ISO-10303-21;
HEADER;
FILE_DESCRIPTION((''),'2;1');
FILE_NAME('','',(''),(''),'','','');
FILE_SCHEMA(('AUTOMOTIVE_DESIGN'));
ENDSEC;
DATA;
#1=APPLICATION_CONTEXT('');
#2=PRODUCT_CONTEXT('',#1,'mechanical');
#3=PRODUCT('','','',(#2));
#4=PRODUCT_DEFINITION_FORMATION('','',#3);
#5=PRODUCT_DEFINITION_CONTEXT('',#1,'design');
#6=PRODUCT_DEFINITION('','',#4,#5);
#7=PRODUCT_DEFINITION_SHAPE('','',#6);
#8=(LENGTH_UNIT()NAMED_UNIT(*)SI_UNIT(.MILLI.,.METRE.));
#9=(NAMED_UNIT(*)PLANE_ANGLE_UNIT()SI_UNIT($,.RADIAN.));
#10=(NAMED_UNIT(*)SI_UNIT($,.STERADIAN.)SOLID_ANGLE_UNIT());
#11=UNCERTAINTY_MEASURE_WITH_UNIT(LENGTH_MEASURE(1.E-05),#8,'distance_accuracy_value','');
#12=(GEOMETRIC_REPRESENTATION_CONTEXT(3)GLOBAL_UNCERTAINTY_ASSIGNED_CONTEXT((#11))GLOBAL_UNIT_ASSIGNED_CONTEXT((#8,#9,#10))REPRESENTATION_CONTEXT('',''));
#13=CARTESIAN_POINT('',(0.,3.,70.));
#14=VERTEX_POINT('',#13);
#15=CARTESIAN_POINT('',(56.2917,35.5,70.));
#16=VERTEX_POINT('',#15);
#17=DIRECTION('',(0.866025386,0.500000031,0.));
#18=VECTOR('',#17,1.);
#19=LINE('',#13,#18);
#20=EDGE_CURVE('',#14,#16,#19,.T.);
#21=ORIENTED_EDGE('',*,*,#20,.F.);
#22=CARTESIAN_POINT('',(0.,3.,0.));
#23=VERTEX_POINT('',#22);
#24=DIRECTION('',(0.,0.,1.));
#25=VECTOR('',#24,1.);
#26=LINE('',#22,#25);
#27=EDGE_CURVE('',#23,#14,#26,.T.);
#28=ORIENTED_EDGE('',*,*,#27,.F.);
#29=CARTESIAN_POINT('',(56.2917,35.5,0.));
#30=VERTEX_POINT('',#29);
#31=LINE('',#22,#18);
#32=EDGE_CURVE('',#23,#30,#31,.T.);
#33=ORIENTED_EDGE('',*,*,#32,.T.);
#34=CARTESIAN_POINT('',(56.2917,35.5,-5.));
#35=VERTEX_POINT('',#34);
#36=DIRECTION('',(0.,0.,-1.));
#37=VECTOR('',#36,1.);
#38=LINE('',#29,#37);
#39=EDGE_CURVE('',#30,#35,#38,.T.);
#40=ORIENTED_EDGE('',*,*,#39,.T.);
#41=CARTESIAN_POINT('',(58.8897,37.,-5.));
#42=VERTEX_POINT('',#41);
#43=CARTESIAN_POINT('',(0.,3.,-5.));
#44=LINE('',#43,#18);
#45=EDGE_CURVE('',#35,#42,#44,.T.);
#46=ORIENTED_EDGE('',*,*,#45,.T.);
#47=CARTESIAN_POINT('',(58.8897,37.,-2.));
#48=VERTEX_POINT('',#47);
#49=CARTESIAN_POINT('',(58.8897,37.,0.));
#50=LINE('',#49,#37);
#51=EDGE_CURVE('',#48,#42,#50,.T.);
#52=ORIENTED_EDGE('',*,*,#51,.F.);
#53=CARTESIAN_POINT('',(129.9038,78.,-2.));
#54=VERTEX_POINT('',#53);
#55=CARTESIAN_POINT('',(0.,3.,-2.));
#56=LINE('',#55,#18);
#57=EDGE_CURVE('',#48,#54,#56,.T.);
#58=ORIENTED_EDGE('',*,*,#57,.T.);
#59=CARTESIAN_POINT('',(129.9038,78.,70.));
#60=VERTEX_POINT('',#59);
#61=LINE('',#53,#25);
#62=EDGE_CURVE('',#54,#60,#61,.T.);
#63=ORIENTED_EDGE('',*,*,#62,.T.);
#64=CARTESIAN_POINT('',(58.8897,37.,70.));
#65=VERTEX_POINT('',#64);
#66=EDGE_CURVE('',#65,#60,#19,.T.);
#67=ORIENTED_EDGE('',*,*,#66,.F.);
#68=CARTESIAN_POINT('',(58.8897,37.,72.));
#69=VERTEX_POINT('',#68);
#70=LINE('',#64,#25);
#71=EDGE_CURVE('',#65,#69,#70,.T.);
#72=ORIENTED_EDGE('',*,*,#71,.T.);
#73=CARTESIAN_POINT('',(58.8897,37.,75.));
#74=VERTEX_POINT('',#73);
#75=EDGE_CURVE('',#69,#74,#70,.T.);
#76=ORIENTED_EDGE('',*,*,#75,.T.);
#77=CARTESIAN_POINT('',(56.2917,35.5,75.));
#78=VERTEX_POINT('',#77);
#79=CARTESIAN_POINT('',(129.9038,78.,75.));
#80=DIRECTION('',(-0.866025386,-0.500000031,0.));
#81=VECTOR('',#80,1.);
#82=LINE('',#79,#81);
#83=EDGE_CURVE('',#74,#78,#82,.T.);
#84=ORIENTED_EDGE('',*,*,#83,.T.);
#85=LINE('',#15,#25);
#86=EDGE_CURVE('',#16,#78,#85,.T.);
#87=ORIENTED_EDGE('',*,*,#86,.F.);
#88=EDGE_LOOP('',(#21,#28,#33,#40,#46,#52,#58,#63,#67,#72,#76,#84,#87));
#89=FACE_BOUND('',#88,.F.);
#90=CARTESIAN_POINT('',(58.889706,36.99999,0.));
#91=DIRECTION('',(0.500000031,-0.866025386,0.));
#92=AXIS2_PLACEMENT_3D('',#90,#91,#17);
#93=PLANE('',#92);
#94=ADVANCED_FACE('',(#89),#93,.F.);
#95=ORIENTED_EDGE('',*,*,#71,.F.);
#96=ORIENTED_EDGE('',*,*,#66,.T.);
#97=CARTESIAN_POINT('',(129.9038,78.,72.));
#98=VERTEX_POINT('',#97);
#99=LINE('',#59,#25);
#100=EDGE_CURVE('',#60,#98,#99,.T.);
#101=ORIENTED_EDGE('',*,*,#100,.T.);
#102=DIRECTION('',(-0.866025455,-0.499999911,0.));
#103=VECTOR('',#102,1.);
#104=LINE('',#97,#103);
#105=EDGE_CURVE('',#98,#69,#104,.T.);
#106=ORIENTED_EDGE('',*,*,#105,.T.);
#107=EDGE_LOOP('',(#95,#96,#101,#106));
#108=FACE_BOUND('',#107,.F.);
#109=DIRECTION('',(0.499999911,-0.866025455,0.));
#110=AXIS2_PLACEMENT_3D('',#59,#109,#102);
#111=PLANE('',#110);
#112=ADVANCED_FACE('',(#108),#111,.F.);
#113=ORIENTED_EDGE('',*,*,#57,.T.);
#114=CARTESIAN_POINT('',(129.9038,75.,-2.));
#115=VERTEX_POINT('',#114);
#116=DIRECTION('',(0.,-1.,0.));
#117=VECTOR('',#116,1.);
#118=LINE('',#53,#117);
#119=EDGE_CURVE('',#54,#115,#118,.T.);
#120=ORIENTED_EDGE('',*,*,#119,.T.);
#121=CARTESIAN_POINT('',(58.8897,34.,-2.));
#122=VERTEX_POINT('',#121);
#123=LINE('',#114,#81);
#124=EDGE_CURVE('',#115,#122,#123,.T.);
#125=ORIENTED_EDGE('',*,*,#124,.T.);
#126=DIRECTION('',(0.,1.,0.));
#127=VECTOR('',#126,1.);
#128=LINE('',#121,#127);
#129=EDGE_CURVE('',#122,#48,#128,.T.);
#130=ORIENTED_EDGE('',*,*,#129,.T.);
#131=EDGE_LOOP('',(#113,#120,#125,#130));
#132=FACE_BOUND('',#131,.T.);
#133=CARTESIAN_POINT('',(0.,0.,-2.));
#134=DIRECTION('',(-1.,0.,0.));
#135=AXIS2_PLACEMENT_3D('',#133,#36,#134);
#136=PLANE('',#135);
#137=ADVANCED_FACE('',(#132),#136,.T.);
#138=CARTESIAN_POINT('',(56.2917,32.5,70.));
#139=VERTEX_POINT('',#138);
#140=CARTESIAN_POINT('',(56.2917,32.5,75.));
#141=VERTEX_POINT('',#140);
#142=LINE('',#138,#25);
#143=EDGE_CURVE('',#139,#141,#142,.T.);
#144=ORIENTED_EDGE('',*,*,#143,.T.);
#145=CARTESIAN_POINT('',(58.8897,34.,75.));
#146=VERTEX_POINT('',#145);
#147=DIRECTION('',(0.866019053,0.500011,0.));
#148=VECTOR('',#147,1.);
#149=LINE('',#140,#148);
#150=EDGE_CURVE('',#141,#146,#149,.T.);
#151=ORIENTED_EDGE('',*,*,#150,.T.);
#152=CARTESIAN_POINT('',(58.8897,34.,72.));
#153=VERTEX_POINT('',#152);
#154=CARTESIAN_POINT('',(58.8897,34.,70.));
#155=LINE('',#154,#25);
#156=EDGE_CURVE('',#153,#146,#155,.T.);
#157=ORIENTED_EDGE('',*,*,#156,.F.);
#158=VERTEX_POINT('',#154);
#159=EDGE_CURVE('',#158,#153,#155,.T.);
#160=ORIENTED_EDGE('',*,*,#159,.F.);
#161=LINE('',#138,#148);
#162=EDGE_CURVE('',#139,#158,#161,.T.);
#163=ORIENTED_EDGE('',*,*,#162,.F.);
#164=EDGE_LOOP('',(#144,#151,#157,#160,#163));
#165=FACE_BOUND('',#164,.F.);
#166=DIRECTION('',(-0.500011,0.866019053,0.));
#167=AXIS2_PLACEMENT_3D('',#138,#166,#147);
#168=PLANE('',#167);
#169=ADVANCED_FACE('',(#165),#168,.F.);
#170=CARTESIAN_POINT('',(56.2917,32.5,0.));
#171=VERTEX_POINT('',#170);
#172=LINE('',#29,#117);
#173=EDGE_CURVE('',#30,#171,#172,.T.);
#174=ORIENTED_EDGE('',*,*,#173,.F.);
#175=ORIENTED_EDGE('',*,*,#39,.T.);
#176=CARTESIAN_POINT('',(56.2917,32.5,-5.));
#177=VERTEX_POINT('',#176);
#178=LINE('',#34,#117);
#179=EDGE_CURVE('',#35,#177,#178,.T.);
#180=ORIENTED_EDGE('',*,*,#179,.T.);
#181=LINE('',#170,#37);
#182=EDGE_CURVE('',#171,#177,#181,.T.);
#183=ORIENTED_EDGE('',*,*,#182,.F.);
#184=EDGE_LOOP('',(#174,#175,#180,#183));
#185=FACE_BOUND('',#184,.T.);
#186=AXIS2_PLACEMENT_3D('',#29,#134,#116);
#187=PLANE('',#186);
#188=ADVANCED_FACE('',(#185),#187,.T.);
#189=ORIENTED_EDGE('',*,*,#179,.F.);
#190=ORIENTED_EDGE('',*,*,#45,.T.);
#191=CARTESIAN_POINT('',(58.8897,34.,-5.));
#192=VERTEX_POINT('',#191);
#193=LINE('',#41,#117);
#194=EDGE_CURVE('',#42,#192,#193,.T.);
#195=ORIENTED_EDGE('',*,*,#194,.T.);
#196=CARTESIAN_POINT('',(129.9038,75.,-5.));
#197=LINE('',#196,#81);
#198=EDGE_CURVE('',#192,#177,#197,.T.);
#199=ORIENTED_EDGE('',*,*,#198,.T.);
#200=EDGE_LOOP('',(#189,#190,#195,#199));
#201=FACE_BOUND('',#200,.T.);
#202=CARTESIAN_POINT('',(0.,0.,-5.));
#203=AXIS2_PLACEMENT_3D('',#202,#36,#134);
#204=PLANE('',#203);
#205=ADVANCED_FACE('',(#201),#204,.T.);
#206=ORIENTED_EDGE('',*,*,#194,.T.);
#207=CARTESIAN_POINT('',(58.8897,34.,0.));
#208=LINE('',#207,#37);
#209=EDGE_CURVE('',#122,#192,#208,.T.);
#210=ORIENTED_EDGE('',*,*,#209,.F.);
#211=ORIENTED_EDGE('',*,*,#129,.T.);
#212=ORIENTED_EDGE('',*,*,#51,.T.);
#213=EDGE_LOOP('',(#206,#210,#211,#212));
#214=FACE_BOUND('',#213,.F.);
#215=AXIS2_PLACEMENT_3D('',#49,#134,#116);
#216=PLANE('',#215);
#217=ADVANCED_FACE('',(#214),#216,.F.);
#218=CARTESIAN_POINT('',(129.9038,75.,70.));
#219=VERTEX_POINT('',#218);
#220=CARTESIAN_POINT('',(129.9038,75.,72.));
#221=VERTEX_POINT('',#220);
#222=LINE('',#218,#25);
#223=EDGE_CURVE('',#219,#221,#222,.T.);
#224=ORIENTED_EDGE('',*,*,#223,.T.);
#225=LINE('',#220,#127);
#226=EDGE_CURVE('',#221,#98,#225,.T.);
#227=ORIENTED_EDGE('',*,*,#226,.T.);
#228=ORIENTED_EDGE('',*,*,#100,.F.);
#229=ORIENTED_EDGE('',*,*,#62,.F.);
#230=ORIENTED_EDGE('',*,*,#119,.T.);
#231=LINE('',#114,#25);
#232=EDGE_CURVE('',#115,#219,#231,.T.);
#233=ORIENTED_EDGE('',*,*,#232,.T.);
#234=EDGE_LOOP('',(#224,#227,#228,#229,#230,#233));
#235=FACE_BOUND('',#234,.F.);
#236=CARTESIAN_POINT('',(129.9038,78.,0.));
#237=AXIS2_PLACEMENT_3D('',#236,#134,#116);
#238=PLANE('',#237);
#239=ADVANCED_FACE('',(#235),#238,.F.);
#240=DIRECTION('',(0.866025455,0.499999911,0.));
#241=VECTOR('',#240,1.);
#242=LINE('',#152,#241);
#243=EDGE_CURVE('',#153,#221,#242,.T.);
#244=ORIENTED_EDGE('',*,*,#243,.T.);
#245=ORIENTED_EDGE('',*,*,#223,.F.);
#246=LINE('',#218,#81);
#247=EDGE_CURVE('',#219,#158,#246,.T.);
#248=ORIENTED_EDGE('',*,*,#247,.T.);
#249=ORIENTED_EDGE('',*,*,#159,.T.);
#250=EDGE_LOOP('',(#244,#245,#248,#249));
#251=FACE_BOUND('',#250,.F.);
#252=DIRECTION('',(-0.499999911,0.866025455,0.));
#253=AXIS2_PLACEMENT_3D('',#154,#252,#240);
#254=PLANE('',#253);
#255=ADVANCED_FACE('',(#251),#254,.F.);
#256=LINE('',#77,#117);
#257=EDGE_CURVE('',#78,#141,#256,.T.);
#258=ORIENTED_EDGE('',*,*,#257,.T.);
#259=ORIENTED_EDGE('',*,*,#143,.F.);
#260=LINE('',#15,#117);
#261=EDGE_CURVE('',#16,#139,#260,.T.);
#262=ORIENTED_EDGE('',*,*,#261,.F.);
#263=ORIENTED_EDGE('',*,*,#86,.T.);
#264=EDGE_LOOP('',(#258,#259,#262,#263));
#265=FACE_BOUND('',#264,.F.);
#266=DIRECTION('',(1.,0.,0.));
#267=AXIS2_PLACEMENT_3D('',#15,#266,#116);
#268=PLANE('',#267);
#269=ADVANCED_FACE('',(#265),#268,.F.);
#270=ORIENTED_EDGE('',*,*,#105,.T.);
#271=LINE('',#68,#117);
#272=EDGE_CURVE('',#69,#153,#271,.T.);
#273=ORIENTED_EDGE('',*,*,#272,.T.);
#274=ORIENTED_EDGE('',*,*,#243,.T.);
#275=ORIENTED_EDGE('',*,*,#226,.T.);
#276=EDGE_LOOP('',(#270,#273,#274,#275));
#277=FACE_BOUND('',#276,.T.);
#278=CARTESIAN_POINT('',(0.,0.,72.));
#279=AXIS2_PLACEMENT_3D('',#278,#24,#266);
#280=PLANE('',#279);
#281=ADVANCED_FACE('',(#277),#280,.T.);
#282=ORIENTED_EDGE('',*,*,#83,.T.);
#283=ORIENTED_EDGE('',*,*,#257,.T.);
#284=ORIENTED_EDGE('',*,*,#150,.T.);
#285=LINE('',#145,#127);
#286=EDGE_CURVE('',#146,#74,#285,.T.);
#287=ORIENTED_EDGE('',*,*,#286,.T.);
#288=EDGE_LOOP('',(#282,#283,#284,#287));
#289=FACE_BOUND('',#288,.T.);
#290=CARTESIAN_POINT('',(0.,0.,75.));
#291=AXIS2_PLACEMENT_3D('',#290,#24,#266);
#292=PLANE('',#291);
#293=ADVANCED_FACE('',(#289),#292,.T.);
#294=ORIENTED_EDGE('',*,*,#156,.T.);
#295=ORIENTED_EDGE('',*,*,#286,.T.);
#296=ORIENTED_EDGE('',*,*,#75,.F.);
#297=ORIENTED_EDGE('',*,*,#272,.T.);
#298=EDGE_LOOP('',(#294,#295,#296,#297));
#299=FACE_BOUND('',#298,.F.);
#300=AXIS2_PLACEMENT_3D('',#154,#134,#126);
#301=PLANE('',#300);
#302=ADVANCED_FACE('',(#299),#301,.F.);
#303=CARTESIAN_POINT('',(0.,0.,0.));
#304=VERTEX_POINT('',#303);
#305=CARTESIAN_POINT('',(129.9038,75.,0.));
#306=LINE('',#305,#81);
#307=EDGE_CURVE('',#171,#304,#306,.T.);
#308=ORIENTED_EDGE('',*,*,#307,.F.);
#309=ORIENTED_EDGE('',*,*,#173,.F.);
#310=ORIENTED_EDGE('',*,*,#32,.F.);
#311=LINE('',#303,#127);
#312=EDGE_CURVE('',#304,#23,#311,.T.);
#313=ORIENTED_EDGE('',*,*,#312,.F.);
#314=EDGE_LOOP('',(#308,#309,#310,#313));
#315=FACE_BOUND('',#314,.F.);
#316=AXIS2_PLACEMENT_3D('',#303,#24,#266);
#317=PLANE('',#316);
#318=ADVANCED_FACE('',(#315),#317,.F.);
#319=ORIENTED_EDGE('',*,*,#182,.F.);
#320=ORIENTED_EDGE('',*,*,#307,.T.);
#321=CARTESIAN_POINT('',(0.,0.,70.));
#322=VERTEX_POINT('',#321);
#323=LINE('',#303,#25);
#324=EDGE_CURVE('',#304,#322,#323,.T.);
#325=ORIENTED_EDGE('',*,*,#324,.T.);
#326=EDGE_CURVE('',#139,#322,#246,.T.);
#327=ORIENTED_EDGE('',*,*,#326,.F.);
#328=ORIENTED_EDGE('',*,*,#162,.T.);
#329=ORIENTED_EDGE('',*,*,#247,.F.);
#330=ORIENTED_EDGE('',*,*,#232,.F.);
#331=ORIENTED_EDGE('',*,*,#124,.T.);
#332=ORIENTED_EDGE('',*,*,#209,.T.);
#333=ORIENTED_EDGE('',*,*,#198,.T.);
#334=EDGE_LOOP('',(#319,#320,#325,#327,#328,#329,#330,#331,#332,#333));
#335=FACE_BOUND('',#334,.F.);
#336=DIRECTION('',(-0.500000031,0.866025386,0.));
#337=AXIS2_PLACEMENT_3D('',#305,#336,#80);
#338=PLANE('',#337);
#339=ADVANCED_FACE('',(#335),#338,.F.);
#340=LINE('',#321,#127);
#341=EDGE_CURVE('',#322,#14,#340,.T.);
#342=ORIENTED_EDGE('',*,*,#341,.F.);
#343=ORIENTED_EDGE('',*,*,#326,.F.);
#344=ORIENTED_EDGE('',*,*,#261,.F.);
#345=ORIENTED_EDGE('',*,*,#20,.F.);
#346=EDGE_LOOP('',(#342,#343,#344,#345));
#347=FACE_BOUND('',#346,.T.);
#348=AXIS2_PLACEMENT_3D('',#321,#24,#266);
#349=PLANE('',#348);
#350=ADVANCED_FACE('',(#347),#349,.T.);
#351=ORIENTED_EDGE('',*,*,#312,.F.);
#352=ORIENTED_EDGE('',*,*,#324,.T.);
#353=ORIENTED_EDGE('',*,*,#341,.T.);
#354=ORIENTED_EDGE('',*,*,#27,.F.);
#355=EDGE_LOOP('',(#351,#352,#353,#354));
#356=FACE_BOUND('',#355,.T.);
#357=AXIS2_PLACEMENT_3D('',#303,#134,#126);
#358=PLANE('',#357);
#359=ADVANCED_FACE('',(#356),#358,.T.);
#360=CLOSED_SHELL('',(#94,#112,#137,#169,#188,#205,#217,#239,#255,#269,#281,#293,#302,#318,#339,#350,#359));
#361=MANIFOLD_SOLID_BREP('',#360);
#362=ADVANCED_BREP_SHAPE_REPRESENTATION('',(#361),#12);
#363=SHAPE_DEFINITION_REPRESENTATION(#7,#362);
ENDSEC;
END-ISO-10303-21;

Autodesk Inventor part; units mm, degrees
ref_plane "YZ Plane" through (0, 0, 0) normal (1, 0, 0) x (0, 1, 0)
ref_plane "XZ Plane" through (0, 0, 0) normal (0, 1, 0) x (-1, 0, 0)
ref_plane "XY Plane" through (0, 0, 0) normal (0, 0, 1) x (1, 0, 0)
sketch "Sketch6" plane through (0, 0, 0) normal (0, 0, 1) x (1, 0, 0)
  line L0 (0, 0) -> (0, 3)
  line L1 (0, 3) -> (129.9038, 78)
  line L2 (129.9038, 78) -> (129.9038, 75)
  line L3 (129.9038, 75) -> (0, 0)
  dimension "d18" = 3
  dimension "d19" = 150
  dimension "d20" = 120
  dimension "d21" = 3
extrude "Extrusion6" add sketch "Sketch6" along normal blind 70
sketch "Sketch8" plane through (0, 0, 70) normal (0, 0, 1) x (1, 0, 0)
  line L0 (56.2917, 35.5) -> (56.2917, 32.5) projected
  line L1 (129.9038, 78) -> (0, 3) projected
  line L2 (56.2917, 32.5) -> (58.8897, 34)
  line L3 (129.9038, 75) -> (0, 0) projected
  line L4 (58.8897, 34) -> (58.8897, 37)
  line L5 (0, 3) -> (129.9038, 78) projected
  line L6 (56.2917, 35.5) -> (58.8897, 37)
  line L7 (56.2917, 35.5) -> (56.2917, 32.5)
  dimension "d27" = 3
extrude "Extrusion8" add sketch "Sketch8" along normal blind 5
sketch "Sketch9" plane through (0, 0, 70) normal (0, 0, 1) x (1, 0, 0)
  line L0 (58.8897, 37) -> (58.8897, 34) projected
  line L1 (58.8897, 34) -> (129.9038, 75) projected
  line L2 (129.9038, 75) -> (129.9038, 78) projected
  line L3 (129.9038, 78) -> (58.8897, 37) projected
  point P0 (0, 0)
extrude "Extrusion9" add sketch "Sketch9" along normal blind 2
sketch "Sketch10" plane through (0, 0, 0) normal (0, 0, -1) x (-1, 0, 0)
  line L0 (0, 3) -> (-129.9038, 78) projected
  line L1 (-129.9038, 75) -> (0, 0) projected
  line L2 (0, 3) -> (-56.2917, 35.5)
  line L3 (-56.2917, 35.5) -> (-58.8897, 37)
  line L4 (-58.8897, 37) -> (-58.8897, 34)
  line L5 (0, 0) -> (-56.2917, 32.5) projected
  line L6 (-58.8897, 34) -> (-56.2917, 32.5)
  line L7 (-56.2917, 35.5) -> (-56.2917, 32.5) projected
  line L8 (-56.2917, 32.5) -> (-56.2917, 35.5)
  point P0 (-64.9519, 37.5)
  dimension "d32" = 65
  dimension "d33" = 3
extrude "Extrusion10" add sketch "Sketch10" along normal blind 5
sketch "Sketch11" plane through (0, 0, 0) normal (0, 0, -1) x (-1, 0, 0)
  line L0 (-58.8897, 34) -> (-58.8897, 37) projected
  line L1 (0, 3) -> (-129.9038, 78) projected
  line L2 (-129.9038, 78) -> (-129.9038, 75) projected
  line L3 (-129.9038, 75) -> (0, 0) projected
extrude "Extrusion11" add sketch "Sketch11" along normal blind 2
properties part number "Zonnepaneel V5.0 print Versie"
